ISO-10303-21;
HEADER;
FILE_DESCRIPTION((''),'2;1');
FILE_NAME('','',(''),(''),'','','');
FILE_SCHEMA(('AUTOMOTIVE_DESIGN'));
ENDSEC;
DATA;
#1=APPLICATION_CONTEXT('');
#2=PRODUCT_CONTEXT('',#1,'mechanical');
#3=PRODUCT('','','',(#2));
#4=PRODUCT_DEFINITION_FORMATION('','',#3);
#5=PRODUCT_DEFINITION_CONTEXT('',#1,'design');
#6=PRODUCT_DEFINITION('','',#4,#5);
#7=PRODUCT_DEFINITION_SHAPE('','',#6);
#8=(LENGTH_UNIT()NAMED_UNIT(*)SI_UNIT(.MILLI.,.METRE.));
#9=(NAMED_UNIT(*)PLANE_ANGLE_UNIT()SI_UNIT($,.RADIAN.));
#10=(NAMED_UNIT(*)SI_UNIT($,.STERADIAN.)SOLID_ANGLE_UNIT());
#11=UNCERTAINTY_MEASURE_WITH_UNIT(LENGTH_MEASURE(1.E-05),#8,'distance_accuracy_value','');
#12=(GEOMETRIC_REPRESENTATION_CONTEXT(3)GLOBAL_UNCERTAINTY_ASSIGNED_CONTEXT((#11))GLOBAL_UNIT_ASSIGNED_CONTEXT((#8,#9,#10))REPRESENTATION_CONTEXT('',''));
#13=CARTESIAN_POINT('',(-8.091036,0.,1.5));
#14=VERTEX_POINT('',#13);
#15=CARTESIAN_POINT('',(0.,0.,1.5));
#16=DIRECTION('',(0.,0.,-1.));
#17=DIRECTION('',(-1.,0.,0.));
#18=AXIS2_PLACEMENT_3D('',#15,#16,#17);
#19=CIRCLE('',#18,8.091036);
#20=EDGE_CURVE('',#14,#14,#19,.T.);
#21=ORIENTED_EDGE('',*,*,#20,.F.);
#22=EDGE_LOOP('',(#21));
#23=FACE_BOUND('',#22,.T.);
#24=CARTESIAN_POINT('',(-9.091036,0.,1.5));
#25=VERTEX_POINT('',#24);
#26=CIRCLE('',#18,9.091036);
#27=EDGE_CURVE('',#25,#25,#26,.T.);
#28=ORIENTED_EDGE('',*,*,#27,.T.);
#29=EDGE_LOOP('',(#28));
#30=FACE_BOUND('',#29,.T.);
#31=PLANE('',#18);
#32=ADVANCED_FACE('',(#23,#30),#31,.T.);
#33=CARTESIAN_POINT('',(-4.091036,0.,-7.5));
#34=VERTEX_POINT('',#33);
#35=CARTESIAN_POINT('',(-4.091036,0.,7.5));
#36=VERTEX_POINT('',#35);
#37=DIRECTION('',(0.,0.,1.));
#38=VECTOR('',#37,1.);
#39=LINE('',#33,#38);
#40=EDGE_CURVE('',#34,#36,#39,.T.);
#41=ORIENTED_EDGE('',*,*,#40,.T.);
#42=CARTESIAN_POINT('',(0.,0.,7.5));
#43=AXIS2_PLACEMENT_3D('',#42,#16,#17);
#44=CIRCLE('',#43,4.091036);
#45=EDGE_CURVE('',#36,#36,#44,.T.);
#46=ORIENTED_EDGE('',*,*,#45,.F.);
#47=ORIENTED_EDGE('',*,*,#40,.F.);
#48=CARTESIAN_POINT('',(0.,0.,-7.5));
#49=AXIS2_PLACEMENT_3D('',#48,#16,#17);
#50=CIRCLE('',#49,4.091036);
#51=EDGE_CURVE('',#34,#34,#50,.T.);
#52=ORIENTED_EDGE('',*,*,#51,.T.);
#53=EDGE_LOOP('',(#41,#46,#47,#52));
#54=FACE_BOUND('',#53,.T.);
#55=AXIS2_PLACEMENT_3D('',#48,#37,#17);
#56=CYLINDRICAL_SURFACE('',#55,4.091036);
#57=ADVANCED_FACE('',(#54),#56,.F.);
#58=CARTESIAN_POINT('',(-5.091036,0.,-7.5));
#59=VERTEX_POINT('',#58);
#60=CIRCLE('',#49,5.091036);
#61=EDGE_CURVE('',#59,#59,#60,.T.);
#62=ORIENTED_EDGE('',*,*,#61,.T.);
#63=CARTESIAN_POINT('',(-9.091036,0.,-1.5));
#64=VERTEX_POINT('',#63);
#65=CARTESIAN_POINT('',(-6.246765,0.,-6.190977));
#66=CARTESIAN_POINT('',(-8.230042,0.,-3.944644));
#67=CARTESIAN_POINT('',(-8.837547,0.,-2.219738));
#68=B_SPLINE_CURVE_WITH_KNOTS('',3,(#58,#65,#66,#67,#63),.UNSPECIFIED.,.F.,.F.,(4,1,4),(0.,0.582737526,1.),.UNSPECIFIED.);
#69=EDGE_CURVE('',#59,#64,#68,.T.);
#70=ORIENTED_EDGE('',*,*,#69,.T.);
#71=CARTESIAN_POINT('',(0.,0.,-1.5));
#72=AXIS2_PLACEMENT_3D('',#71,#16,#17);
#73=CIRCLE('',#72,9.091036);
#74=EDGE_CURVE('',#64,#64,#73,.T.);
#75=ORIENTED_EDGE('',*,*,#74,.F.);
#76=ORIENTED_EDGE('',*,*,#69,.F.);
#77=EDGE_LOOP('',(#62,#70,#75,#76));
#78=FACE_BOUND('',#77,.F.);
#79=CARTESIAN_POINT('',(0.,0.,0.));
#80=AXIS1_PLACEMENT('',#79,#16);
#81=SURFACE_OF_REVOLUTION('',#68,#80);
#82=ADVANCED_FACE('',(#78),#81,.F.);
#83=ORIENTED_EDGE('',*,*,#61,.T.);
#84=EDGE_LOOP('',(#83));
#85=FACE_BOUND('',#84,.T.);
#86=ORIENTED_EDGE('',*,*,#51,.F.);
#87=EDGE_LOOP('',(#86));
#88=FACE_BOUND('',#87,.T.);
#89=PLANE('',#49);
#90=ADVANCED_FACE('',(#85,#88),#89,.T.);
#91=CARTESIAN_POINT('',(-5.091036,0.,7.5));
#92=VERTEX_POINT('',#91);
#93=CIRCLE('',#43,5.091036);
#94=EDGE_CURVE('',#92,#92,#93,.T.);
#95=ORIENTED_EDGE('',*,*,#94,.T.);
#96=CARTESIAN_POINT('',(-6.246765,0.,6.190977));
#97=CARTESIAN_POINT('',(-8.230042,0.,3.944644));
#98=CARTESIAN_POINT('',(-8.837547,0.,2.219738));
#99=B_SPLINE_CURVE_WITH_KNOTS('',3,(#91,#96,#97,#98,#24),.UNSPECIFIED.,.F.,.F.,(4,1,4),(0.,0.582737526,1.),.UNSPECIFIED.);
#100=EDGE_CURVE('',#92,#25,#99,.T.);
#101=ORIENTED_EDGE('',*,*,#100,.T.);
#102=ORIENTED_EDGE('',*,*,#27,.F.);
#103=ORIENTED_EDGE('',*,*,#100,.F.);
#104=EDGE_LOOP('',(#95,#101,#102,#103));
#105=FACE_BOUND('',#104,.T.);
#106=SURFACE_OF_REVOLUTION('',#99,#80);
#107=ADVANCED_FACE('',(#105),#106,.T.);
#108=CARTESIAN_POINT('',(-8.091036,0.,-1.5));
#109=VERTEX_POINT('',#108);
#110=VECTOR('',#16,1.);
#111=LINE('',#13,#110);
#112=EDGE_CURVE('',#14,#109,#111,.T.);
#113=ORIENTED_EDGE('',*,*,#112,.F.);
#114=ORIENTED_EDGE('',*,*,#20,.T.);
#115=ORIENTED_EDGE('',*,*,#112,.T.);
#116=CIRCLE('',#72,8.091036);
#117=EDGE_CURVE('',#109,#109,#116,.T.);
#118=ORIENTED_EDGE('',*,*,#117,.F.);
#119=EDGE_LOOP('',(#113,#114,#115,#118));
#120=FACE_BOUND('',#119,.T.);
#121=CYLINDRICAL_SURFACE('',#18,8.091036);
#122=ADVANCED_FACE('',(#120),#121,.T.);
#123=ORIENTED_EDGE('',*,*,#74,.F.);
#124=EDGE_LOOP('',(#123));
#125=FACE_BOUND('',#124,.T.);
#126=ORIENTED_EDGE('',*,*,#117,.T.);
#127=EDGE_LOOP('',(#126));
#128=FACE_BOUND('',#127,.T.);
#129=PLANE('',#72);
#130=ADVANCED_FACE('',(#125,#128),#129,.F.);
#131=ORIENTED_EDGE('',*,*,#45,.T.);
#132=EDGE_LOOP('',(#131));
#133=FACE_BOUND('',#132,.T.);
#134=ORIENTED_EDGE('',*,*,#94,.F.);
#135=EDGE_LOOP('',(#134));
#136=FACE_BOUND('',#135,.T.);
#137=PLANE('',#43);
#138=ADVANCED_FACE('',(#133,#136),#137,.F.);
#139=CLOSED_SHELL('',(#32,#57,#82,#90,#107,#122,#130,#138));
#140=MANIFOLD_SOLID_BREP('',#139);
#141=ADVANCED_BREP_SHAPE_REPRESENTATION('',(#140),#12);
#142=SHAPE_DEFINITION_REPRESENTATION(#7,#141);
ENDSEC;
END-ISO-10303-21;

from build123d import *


with BuildPart() as f1:
    # F0 (on Front) → F1 (revolve)
    with BuildSketch(Plane.XZ):
        with BuildLine():
            Line((-4.0910357386, -7.5), (-4.0910357386, 7.5))
            Line((-4.0910357386, 7.5), (-5.0910357386, 7.5))
            add(Edge.make_bspline(
                [(-5.0910357386, 7.5), (-6.2467652474, 6.1909773683), (-8.2300415191, 3.9446442042), (-8.8375466465, 2.2197384441), (-9.0910357386, 1.5)],
                knots=[0, 0, 0, 0, 0.5827375265, 1, 1, 1, 1], degree=3))
            Line((-9.0910357386, 1.5), (-8.0910357386, 1.5))
            Line((-8.0910357386, 1.5), (-8.0910357386, -1.5))
            Line((-8.0910357386, -1.5), (-9.0910357386, -1.5))
            add(Edge.make_bspline(
                [(-5.0910357386, -7.5), (-6.2467652474, -6.1909773683), (-8.2300415191, -3.9446442042), (-8.8375466465, -2.2197384441), (-9.0910357386, -1.5)],
                knots=[0, 0, 0, 0, 0.5827375265, 1, 1, 1, 1], degree=3))
            Line((-5.0910357386, -7.5), (-4.0910357386, -7.5))
        make_face()
    revolve(axis=Axis((0, 0, 0), (0, 0, -1)))


solid = f1.part
